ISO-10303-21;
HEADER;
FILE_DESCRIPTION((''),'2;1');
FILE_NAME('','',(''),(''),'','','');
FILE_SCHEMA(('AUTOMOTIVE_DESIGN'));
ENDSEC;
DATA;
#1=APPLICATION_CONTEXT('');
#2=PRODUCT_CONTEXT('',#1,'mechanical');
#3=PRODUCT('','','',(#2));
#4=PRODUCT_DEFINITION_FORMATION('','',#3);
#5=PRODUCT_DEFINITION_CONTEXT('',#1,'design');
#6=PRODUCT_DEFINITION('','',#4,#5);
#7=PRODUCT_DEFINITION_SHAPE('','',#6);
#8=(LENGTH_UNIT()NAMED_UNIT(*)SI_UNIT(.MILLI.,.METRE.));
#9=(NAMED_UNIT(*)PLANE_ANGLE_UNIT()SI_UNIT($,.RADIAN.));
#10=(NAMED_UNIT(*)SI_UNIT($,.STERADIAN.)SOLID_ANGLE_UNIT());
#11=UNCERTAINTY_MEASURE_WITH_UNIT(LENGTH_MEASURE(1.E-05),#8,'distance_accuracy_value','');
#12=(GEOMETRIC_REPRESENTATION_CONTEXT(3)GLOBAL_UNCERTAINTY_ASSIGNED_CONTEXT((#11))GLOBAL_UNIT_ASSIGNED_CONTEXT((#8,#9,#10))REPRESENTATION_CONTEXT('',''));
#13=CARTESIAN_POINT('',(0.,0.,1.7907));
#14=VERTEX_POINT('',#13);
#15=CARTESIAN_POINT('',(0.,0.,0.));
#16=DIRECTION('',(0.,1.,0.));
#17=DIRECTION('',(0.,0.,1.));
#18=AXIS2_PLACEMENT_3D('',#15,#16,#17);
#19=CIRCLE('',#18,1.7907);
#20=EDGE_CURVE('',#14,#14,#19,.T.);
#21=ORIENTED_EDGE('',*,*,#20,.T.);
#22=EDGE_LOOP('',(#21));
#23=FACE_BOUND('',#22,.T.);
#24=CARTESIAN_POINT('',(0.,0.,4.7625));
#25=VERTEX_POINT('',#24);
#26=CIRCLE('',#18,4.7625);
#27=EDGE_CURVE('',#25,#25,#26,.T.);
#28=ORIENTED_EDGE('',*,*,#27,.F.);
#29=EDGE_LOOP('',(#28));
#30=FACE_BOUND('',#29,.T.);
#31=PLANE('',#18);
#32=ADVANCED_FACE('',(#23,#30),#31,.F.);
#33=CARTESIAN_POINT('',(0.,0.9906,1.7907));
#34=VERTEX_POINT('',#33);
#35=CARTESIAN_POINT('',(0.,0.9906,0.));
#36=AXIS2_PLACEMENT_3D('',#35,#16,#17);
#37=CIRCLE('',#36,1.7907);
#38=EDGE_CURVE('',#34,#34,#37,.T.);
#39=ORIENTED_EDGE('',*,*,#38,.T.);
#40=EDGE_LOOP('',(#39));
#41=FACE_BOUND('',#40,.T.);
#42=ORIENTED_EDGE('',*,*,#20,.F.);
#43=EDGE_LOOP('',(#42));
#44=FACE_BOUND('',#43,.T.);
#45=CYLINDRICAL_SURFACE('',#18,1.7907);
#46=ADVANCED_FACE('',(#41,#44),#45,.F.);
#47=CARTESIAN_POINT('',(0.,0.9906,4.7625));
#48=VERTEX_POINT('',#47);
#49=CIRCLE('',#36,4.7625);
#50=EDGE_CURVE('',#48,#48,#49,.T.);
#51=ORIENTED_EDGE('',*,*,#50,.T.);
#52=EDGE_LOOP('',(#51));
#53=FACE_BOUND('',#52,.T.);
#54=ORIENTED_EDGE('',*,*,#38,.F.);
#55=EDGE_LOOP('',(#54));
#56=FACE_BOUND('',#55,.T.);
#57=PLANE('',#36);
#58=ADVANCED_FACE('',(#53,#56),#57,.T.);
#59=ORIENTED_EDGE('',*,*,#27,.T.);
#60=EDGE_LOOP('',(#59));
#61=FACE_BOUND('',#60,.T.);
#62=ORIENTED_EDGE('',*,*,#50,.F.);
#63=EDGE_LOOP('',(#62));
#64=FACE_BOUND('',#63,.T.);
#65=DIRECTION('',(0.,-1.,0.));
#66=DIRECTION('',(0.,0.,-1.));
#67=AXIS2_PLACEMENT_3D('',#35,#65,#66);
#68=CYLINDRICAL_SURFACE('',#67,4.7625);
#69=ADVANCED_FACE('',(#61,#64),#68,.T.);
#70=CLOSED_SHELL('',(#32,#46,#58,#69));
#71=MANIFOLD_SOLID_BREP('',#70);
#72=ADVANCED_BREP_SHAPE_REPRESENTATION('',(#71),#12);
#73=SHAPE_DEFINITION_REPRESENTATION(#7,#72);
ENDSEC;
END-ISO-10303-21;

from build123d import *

# Parameters (mm, degrees)
SKETCH1_R           = 4.7625
BOSS_EXTRUDE1_DEPTH = 0.9906
SKETCH5_R           = 1.7907
CUT_EXTRUDE1_DEPTH  = 1.9906


with BuildPart() as part:
    # Sketch1 → Boss-Extrude1 (new body)
    with BuildSketch(Plane(origin=(0, 0, 0), x_dir=(1, 0, 0), z_dir=(0, 1, 0))):
        Circle(SKETCH1_R)
    extrude(amount=BOSS_EXTRUDE1_DEPTH)

    # Sketch5 → Cut-Extrude1 (cut, through all)
    with BuildSketch(Plane(origin=(0, 0.9906, 0), x_dir=(-1, 0, 0), z_dir=(0, 1, 0))):
        Circle(SKETCH5_R)
    extrude(amount=-CUT_EXTRUDE1_DEPTH, mode=Mode.SUBTRACT)


solid = part.part
